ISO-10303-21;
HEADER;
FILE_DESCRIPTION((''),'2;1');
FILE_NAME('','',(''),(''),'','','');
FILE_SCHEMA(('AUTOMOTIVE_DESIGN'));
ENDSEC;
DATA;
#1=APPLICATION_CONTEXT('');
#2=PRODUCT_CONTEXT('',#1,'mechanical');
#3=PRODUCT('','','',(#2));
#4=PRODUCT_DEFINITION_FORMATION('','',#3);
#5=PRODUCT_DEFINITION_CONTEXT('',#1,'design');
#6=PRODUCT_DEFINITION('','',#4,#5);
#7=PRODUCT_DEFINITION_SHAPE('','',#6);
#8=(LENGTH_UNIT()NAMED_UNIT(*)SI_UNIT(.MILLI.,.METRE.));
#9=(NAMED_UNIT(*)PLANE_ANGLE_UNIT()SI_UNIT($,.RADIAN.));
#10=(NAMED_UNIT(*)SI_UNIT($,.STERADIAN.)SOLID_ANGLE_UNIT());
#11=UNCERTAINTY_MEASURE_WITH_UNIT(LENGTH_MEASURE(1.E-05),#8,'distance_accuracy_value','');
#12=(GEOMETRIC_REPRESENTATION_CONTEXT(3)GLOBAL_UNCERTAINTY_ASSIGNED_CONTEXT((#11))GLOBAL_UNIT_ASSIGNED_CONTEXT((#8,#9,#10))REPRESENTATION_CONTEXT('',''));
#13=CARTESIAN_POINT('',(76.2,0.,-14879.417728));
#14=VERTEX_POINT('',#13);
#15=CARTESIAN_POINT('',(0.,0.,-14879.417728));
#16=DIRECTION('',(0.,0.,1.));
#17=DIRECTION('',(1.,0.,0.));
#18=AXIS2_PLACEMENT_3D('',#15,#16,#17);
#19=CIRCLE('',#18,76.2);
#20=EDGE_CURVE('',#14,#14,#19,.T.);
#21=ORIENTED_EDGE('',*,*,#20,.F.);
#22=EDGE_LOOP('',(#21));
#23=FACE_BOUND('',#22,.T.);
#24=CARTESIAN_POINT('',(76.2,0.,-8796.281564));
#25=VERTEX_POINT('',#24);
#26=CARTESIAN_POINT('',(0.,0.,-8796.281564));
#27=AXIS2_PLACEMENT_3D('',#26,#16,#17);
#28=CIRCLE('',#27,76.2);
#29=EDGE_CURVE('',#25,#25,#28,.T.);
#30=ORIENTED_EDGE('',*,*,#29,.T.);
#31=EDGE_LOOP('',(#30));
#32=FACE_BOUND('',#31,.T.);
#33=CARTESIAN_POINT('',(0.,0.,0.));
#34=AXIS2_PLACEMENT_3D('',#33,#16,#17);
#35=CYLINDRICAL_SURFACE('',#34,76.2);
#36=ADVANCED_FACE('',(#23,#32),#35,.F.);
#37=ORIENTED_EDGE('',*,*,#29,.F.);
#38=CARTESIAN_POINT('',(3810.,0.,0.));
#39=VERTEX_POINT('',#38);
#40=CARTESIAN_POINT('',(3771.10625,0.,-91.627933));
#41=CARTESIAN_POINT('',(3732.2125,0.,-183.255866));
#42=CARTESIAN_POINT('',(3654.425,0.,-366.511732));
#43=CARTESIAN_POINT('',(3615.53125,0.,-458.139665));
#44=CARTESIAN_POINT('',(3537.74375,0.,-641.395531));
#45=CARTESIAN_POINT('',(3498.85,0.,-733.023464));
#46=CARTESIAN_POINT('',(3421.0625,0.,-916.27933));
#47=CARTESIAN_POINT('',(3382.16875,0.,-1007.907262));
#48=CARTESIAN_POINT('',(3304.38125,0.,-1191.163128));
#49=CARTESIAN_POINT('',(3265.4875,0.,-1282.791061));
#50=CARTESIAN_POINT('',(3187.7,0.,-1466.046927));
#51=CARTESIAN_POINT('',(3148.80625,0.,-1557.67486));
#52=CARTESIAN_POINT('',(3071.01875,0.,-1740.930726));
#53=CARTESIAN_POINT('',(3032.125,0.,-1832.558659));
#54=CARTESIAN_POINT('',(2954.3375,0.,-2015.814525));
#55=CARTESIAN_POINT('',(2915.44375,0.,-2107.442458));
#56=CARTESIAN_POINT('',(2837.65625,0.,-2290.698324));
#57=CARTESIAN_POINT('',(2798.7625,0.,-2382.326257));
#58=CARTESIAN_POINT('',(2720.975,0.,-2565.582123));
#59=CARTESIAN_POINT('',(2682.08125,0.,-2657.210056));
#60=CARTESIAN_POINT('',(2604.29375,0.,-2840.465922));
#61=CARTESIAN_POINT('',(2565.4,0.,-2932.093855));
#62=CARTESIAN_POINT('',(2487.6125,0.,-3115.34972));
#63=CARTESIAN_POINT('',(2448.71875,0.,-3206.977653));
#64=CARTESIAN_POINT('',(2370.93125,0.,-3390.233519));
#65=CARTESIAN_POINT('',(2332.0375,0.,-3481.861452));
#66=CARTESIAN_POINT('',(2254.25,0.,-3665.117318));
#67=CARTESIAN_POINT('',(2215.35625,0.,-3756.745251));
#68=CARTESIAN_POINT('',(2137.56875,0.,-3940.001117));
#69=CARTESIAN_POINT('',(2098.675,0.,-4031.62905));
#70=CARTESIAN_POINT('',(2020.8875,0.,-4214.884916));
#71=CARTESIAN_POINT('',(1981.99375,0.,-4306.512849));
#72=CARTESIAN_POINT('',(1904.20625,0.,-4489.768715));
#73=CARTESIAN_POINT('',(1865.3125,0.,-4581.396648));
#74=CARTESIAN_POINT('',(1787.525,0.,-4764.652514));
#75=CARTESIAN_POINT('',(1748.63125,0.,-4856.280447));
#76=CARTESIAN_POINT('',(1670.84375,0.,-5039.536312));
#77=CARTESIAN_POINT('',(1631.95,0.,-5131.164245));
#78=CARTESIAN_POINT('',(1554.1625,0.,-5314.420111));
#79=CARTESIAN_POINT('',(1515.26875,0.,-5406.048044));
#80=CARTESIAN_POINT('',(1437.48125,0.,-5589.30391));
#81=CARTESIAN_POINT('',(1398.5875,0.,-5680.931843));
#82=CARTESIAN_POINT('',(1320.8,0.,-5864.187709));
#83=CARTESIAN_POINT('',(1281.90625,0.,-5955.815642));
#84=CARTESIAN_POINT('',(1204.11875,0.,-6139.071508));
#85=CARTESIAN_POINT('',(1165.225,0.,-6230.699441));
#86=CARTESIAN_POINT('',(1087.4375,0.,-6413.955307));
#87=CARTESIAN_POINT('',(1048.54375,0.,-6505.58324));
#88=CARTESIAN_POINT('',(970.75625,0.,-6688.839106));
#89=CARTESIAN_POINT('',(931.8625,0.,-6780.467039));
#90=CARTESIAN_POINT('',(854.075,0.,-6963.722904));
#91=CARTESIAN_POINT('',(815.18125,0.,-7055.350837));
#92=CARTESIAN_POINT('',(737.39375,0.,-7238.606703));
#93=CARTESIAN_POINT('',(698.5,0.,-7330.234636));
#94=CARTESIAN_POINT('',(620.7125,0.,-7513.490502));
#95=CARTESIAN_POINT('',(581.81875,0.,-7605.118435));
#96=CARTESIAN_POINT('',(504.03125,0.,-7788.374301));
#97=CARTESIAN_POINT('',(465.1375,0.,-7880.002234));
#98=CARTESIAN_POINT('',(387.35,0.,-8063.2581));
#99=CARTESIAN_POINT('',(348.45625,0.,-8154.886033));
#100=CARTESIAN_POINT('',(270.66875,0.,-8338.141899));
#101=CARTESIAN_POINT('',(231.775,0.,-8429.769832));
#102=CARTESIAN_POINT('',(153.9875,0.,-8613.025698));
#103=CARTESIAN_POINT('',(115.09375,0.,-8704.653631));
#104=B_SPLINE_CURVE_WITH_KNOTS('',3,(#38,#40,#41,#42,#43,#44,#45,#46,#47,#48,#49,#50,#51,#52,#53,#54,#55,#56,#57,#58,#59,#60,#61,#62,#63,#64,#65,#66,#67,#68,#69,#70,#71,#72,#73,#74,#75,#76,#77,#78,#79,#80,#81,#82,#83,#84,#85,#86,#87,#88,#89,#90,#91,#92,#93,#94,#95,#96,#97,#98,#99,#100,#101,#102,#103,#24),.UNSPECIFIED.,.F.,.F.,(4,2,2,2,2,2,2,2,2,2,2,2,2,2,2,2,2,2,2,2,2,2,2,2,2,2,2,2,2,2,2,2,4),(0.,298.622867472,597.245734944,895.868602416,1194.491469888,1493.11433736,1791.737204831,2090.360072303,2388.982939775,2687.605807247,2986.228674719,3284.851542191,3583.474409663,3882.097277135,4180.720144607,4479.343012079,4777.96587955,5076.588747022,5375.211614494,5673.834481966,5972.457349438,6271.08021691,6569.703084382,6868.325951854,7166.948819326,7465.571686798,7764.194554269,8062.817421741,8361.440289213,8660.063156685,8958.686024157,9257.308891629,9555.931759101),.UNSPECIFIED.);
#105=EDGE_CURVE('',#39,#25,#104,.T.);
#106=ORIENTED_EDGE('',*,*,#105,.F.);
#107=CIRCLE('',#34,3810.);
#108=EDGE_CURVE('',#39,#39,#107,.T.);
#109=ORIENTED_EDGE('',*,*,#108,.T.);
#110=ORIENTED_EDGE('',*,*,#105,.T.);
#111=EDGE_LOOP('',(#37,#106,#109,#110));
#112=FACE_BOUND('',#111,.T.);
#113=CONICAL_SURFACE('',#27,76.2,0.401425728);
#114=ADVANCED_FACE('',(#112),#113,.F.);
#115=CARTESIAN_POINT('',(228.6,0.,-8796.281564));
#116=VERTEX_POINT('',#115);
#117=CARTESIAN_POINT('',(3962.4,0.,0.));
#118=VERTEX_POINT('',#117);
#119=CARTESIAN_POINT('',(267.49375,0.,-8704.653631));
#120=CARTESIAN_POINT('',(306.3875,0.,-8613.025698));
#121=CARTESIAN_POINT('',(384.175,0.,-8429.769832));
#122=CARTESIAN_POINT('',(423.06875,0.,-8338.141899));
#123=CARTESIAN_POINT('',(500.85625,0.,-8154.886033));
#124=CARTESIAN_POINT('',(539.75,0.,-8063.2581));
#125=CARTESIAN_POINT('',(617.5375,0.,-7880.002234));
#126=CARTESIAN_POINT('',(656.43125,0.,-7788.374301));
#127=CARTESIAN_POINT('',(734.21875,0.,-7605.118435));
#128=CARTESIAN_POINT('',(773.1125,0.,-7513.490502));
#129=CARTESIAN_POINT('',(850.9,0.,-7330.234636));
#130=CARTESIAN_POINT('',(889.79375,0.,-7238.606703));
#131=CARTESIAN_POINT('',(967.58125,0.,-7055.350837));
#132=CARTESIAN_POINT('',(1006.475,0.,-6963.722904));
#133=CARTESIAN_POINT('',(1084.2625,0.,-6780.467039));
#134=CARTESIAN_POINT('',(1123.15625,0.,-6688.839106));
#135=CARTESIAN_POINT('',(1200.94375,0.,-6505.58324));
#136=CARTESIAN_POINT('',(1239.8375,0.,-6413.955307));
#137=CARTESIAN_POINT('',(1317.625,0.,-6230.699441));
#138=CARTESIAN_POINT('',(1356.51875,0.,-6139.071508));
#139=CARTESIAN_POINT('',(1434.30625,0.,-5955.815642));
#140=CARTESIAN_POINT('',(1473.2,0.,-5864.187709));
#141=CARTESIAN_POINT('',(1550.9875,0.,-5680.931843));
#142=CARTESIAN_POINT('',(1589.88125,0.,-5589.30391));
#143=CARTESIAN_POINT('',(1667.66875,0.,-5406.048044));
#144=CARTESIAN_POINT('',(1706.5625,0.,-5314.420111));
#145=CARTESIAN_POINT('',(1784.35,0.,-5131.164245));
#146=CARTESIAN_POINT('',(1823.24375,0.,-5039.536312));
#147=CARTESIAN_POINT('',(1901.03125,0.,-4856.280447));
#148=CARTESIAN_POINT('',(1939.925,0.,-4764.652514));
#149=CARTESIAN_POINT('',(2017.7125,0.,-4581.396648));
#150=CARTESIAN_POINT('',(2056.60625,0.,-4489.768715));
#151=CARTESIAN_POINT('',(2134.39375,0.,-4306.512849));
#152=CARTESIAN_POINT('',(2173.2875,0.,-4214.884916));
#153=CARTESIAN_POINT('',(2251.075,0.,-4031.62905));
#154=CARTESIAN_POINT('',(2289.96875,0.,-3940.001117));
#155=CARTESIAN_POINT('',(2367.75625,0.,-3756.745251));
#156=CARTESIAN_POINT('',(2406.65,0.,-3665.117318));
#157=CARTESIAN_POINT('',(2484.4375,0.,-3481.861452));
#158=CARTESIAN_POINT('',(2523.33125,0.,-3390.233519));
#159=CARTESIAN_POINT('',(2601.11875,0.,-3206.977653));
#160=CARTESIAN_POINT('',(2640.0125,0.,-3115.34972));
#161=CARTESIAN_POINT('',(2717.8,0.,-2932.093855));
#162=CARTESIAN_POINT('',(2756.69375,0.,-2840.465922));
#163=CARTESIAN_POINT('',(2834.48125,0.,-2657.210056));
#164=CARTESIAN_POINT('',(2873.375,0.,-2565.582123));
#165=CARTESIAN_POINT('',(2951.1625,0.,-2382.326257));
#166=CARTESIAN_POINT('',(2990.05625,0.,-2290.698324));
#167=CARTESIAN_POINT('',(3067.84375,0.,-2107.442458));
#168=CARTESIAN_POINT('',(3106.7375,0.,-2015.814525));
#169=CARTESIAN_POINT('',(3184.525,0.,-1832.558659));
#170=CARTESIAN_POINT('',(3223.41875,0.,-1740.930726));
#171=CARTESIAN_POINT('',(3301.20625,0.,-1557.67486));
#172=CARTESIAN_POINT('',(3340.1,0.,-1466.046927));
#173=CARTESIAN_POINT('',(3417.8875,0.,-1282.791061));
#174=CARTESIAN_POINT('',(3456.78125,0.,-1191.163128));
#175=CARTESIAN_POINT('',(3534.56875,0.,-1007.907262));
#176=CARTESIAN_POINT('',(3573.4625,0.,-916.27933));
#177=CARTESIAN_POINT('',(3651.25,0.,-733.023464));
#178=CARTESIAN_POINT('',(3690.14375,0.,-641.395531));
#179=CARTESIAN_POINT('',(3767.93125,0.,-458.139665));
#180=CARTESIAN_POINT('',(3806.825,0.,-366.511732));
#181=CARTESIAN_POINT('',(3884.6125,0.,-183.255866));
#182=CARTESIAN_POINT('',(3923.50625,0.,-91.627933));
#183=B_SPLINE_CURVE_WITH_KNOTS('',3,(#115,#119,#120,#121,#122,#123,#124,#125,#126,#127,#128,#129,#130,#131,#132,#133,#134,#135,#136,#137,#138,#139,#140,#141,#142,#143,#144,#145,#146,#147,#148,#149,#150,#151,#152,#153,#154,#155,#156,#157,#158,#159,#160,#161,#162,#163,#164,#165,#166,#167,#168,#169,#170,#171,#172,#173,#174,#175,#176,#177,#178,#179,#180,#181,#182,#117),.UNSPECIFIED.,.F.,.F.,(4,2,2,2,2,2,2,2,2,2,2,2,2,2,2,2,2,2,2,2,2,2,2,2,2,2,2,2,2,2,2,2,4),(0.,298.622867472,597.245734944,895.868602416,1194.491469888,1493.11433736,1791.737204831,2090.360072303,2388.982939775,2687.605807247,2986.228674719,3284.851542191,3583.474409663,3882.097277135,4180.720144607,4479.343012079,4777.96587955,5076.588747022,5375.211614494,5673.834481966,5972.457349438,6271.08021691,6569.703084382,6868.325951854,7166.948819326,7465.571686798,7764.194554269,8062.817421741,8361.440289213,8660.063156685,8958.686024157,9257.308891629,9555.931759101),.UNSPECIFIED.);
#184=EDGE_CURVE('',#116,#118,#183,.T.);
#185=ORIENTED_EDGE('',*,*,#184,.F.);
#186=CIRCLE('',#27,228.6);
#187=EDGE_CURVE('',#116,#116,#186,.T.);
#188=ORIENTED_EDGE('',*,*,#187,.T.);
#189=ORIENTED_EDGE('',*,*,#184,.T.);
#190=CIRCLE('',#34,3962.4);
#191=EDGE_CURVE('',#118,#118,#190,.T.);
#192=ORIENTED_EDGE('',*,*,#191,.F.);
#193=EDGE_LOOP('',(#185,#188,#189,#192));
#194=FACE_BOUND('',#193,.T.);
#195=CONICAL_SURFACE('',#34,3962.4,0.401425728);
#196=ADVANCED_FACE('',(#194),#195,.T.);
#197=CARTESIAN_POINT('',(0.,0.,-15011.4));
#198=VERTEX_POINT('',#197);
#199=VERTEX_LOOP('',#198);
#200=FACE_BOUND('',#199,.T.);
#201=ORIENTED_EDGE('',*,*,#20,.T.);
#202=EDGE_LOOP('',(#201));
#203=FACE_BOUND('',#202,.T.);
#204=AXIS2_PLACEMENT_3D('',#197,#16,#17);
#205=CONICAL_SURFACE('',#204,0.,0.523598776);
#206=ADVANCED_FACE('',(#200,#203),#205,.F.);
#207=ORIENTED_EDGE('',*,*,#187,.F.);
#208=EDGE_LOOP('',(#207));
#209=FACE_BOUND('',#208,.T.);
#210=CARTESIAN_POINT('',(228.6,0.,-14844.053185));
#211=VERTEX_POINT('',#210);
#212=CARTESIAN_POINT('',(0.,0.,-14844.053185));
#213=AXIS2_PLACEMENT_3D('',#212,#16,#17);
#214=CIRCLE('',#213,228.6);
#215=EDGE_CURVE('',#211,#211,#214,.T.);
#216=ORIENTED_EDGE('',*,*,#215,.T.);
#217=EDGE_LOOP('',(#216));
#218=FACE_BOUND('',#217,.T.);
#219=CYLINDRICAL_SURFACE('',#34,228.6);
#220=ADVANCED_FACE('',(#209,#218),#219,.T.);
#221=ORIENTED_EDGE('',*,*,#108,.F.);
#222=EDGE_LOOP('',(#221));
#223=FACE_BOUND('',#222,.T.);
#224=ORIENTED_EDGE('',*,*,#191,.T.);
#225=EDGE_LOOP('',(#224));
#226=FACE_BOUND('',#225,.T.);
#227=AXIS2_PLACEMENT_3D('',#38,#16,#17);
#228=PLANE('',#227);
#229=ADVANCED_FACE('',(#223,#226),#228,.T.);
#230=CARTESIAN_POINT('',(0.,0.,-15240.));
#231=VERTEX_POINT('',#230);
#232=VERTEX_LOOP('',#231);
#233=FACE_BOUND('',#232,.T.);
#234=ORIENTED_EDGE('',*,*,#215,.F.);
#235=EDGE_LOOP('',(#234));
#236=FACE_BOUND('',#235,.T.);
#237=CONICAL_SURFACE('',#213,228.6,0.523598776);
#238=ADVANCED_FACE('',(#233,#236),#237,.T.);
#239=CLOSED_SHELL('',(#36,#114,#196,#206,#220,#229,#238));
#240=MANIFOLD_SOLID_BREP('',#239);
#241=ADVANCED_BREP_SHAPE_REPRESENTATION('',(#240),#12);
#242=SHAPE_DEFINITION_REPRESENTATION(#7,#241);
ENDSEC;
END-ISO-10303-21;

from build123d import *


with BuildPart() as part:
    # Sketch2 → Revolve1 (revolve)
    with BuildSketch(Plane(origin=(0, 0, 0), x_dir=(1, 0, 0), z_dir=(0, 1, 0))):
        Polygon((3810, 0), (3962.4, 0), (228.6, 8796.281563513), (228.6, 14844.05318539), (0, 15240), (0, 15011.4), (76.2, 14879.417728463), (76.2, 8796.281563513), align=None)
    revolve(axis=Axis((0, 0, 0), (0, 0, -1)))


solid = part.part
